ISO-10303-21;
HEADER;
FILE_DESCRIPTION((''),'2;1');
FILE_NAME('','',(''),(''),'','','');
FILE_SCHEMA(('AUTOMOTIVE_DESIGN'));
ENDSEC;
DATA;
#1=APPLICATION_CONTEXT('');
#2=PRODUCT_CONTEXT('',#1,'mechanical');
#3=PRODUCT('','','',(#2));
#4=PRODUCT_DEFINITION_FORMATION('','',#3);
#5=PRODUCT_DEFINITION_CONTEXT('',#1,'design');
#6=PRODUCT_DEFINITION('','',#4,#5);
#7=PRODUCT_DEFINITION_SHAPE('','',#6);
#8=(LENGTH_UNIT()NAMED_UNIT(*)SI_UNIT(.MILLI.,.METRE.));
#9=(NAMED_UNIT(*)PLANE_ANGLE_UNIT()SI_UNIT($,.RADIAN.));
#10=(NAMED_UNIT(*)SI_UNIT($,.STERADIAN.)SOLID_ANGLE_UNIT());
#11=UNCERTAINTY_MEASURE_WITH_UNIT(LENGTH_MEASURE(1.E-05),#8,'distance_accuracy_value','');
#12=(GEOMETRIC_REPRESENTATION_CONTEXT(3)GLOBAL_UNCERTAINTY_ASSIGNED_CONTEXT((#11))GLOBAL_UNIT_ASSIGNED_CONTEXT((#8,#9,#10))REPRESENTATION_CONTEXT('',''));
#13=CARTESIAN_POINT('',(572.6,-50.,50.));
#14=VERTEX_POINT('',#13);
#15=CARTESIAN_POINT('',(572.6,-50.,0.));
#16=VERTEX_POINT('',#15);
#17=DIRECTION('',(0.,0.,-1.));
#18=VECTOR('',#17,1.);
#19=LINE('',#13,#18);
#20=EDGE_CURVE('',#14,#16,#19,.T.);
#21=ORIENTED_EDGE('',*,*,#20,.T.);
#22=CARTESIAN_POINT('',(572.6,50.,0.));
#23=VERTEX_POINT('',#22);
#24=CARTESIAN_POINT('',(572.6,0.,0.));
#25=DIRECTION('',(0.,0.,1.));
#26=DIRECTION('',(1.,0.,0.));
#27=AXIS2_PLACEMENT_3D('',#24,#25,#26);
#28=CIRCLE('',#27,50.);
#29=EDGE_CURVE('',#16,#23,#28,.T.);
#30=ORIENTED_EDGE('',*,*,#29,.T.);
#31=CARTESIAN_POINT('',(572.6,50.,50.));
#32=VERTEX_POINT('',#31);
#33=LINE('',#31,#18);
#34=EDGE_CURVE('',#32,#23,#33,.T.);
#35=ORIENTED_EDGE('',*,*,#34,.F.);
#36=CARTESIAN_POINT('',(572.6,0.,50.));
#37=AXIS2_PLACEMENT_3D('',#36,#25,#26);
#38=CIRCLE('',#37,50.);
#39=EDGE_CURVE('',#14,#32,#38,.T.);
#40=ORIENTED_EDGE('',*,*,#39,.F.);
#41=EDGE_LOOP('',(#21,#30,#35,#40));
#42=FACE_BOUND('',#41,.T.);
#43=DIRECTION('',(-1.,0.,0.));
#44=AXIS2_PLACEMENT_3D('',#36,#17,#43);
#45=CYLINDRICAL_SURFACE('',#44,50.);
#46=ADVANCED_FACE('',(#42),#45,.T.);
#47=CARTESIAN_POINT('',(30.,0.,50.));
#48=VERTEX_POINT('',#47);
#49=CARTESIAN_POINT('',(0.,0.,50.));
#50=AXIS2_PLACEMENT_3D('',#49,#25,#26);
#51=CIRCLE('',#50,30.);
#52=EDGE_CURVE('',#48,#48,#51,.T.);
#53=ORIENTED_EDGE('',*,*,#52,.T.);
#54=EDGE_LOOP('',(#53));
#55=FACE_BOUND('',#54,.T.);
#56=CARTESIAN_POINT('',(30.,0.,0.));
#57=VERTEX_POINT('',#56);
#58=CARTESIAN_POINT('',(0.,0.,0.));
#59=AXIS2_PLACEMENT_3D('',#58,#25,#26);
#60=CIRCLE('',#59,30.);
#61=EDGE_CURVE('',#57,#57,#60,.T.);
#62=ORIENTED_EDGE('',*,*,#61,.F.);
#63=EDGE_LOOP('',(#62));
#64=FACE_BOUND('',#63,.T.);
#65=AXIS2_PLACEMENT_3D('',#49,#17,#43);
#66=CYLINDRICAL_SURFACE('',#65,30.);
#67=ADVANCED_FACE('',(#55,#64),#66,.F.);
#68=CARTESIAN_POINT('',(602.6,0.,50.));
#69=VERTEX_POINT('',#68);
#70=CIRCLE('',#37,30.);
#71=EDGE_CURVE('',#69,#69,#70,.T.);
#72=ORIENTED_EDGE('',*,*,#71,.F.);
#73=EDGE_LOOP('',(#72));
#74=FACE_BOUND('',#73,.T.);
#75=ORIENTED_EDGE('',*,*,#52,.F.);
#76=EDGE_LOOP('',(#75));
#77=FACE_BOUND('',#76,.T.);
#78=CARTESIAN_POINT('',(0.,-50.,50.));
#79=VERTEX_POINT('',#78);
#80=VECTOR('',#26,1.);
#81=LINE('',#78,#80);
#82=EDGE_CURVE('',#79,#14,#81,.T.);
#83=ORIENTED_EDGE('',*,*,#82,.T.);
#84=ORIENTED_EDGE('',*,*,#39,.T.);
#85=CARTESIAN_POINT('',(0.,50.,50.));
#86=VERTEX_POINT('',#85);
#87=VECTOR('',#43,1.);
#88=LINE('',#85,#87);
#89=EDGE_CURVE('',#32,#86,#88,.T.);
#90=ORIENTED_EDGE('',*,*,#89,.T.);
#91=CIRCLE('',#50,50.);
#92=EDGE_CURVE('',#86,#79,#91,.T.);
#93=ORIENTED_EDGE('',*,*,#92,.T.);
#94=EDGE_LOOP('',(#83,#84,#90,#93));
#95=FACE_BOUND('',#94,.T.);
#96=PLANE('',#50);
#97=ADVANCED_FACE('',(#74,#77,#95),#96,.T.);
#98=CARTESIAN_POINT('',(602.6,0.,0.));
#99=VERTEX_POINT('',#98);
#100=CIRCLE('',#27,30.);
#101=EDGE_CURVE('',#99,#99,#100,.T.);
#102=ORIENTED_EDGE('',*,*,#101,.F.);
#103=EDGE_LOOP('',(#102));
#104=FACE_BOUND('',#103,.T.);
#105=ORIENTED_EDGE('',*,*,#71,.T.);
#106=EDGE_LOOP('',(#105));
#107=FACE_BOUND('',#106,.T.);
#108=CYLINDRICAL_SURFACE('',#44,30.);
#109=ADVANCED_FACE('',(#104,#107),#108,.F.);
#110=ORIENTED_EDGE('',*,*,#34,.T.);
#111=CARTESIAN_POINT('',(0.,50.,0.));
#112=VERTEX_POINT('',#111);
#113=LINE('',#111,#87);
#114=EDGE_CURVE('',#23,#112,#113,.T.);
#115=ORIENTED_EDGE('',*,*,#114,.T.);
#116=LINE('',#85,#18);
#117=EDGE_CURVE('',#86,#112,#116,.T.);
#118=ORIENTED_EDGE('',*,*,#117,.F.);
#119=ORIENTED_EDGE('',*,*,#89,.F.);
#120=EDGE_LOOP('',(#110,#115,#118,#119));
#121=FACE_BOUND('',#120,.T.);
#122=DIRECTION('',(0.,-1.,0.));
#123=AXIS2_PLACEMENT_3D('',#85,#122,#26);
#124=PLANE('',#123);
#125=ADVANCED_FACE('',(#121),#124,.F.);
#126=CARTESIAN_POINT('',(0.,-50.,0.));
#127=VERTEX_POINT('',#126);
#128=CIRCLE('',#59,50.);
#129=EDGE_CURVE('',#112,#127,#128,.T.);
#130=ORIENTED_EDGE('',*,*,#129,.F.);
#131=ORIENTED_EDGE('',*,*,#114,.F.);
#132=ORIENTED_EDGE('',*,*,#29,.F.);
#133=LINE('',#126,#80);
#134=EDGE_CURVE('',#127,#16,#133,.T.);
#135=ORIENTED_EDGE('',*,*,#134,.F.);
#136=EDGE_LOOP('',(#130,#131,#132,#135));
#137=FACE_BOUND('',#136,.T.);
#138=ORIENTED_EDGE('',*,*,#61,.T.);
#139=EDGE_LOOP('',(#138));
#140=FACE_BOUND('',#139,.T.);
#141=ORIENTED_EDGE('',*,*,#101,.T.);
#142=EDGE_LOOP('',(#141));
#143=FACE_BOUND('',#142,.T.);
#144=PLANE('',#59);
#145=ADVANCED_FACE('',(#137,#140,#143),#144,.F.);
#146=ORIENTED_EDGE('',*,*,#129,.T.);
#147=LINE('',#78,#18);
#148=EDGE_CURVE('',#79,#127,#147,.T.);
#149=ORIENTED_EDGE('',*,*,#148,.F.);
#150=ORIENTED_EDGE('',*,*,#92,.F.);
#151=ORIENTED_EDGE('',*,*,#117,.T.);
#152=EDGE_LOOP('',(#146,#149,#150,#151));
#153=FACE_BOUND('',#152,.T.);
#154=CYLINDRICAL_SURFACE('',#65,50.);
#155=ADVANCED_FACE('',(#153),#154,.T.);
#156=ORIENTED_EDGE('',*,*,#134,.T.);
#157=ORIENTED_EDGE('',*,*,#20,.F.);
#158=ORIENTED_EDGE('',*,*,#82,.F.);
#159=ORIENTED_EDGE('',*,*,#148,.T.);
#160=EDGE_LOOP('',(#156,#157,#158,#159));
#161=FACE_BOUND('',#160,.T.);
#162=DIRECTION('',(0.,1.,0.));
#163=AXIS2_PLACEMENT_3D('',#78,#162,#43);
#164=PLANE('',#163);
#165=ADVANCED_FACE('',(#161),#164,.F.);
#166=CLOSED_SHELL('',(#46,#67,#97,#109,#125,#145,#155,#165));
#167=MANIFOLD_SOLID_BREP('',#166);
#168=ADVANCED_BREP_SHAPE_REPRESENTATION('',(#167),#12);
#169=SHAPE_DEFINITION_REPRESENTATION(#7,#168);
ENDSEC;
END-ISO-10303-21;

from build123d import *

# Parameters (mm, degrees)
SKETCH_2_R      = 30
EXTRUDE_1_DEPTH = 50


with BuildPart() as part:
    # 草图2 → 凸台-拉伸1 (new body)
    with BuildSketch(Plane.XY):
        with BuildLine():
            Line((0, 50), (572.6, 50))
            ThreePointArc((572.6, 50), (622.6, 0), (572.6, -50))
            Line((572.6, -50), (0, -50))
            ThreePointArc((0, -50), (-50, 0), (0, 50))
        make_face()
        Circle(SKETCH_2_R, mode=Mode.SUBTRACT)
        with Locations((572.6, 0)):
            Circle(SKETCH_2_R, mode=Mode.SUBTRACT)
    extrude(amount=EXTRUDE_1_DEPTH)


solid = part.part
